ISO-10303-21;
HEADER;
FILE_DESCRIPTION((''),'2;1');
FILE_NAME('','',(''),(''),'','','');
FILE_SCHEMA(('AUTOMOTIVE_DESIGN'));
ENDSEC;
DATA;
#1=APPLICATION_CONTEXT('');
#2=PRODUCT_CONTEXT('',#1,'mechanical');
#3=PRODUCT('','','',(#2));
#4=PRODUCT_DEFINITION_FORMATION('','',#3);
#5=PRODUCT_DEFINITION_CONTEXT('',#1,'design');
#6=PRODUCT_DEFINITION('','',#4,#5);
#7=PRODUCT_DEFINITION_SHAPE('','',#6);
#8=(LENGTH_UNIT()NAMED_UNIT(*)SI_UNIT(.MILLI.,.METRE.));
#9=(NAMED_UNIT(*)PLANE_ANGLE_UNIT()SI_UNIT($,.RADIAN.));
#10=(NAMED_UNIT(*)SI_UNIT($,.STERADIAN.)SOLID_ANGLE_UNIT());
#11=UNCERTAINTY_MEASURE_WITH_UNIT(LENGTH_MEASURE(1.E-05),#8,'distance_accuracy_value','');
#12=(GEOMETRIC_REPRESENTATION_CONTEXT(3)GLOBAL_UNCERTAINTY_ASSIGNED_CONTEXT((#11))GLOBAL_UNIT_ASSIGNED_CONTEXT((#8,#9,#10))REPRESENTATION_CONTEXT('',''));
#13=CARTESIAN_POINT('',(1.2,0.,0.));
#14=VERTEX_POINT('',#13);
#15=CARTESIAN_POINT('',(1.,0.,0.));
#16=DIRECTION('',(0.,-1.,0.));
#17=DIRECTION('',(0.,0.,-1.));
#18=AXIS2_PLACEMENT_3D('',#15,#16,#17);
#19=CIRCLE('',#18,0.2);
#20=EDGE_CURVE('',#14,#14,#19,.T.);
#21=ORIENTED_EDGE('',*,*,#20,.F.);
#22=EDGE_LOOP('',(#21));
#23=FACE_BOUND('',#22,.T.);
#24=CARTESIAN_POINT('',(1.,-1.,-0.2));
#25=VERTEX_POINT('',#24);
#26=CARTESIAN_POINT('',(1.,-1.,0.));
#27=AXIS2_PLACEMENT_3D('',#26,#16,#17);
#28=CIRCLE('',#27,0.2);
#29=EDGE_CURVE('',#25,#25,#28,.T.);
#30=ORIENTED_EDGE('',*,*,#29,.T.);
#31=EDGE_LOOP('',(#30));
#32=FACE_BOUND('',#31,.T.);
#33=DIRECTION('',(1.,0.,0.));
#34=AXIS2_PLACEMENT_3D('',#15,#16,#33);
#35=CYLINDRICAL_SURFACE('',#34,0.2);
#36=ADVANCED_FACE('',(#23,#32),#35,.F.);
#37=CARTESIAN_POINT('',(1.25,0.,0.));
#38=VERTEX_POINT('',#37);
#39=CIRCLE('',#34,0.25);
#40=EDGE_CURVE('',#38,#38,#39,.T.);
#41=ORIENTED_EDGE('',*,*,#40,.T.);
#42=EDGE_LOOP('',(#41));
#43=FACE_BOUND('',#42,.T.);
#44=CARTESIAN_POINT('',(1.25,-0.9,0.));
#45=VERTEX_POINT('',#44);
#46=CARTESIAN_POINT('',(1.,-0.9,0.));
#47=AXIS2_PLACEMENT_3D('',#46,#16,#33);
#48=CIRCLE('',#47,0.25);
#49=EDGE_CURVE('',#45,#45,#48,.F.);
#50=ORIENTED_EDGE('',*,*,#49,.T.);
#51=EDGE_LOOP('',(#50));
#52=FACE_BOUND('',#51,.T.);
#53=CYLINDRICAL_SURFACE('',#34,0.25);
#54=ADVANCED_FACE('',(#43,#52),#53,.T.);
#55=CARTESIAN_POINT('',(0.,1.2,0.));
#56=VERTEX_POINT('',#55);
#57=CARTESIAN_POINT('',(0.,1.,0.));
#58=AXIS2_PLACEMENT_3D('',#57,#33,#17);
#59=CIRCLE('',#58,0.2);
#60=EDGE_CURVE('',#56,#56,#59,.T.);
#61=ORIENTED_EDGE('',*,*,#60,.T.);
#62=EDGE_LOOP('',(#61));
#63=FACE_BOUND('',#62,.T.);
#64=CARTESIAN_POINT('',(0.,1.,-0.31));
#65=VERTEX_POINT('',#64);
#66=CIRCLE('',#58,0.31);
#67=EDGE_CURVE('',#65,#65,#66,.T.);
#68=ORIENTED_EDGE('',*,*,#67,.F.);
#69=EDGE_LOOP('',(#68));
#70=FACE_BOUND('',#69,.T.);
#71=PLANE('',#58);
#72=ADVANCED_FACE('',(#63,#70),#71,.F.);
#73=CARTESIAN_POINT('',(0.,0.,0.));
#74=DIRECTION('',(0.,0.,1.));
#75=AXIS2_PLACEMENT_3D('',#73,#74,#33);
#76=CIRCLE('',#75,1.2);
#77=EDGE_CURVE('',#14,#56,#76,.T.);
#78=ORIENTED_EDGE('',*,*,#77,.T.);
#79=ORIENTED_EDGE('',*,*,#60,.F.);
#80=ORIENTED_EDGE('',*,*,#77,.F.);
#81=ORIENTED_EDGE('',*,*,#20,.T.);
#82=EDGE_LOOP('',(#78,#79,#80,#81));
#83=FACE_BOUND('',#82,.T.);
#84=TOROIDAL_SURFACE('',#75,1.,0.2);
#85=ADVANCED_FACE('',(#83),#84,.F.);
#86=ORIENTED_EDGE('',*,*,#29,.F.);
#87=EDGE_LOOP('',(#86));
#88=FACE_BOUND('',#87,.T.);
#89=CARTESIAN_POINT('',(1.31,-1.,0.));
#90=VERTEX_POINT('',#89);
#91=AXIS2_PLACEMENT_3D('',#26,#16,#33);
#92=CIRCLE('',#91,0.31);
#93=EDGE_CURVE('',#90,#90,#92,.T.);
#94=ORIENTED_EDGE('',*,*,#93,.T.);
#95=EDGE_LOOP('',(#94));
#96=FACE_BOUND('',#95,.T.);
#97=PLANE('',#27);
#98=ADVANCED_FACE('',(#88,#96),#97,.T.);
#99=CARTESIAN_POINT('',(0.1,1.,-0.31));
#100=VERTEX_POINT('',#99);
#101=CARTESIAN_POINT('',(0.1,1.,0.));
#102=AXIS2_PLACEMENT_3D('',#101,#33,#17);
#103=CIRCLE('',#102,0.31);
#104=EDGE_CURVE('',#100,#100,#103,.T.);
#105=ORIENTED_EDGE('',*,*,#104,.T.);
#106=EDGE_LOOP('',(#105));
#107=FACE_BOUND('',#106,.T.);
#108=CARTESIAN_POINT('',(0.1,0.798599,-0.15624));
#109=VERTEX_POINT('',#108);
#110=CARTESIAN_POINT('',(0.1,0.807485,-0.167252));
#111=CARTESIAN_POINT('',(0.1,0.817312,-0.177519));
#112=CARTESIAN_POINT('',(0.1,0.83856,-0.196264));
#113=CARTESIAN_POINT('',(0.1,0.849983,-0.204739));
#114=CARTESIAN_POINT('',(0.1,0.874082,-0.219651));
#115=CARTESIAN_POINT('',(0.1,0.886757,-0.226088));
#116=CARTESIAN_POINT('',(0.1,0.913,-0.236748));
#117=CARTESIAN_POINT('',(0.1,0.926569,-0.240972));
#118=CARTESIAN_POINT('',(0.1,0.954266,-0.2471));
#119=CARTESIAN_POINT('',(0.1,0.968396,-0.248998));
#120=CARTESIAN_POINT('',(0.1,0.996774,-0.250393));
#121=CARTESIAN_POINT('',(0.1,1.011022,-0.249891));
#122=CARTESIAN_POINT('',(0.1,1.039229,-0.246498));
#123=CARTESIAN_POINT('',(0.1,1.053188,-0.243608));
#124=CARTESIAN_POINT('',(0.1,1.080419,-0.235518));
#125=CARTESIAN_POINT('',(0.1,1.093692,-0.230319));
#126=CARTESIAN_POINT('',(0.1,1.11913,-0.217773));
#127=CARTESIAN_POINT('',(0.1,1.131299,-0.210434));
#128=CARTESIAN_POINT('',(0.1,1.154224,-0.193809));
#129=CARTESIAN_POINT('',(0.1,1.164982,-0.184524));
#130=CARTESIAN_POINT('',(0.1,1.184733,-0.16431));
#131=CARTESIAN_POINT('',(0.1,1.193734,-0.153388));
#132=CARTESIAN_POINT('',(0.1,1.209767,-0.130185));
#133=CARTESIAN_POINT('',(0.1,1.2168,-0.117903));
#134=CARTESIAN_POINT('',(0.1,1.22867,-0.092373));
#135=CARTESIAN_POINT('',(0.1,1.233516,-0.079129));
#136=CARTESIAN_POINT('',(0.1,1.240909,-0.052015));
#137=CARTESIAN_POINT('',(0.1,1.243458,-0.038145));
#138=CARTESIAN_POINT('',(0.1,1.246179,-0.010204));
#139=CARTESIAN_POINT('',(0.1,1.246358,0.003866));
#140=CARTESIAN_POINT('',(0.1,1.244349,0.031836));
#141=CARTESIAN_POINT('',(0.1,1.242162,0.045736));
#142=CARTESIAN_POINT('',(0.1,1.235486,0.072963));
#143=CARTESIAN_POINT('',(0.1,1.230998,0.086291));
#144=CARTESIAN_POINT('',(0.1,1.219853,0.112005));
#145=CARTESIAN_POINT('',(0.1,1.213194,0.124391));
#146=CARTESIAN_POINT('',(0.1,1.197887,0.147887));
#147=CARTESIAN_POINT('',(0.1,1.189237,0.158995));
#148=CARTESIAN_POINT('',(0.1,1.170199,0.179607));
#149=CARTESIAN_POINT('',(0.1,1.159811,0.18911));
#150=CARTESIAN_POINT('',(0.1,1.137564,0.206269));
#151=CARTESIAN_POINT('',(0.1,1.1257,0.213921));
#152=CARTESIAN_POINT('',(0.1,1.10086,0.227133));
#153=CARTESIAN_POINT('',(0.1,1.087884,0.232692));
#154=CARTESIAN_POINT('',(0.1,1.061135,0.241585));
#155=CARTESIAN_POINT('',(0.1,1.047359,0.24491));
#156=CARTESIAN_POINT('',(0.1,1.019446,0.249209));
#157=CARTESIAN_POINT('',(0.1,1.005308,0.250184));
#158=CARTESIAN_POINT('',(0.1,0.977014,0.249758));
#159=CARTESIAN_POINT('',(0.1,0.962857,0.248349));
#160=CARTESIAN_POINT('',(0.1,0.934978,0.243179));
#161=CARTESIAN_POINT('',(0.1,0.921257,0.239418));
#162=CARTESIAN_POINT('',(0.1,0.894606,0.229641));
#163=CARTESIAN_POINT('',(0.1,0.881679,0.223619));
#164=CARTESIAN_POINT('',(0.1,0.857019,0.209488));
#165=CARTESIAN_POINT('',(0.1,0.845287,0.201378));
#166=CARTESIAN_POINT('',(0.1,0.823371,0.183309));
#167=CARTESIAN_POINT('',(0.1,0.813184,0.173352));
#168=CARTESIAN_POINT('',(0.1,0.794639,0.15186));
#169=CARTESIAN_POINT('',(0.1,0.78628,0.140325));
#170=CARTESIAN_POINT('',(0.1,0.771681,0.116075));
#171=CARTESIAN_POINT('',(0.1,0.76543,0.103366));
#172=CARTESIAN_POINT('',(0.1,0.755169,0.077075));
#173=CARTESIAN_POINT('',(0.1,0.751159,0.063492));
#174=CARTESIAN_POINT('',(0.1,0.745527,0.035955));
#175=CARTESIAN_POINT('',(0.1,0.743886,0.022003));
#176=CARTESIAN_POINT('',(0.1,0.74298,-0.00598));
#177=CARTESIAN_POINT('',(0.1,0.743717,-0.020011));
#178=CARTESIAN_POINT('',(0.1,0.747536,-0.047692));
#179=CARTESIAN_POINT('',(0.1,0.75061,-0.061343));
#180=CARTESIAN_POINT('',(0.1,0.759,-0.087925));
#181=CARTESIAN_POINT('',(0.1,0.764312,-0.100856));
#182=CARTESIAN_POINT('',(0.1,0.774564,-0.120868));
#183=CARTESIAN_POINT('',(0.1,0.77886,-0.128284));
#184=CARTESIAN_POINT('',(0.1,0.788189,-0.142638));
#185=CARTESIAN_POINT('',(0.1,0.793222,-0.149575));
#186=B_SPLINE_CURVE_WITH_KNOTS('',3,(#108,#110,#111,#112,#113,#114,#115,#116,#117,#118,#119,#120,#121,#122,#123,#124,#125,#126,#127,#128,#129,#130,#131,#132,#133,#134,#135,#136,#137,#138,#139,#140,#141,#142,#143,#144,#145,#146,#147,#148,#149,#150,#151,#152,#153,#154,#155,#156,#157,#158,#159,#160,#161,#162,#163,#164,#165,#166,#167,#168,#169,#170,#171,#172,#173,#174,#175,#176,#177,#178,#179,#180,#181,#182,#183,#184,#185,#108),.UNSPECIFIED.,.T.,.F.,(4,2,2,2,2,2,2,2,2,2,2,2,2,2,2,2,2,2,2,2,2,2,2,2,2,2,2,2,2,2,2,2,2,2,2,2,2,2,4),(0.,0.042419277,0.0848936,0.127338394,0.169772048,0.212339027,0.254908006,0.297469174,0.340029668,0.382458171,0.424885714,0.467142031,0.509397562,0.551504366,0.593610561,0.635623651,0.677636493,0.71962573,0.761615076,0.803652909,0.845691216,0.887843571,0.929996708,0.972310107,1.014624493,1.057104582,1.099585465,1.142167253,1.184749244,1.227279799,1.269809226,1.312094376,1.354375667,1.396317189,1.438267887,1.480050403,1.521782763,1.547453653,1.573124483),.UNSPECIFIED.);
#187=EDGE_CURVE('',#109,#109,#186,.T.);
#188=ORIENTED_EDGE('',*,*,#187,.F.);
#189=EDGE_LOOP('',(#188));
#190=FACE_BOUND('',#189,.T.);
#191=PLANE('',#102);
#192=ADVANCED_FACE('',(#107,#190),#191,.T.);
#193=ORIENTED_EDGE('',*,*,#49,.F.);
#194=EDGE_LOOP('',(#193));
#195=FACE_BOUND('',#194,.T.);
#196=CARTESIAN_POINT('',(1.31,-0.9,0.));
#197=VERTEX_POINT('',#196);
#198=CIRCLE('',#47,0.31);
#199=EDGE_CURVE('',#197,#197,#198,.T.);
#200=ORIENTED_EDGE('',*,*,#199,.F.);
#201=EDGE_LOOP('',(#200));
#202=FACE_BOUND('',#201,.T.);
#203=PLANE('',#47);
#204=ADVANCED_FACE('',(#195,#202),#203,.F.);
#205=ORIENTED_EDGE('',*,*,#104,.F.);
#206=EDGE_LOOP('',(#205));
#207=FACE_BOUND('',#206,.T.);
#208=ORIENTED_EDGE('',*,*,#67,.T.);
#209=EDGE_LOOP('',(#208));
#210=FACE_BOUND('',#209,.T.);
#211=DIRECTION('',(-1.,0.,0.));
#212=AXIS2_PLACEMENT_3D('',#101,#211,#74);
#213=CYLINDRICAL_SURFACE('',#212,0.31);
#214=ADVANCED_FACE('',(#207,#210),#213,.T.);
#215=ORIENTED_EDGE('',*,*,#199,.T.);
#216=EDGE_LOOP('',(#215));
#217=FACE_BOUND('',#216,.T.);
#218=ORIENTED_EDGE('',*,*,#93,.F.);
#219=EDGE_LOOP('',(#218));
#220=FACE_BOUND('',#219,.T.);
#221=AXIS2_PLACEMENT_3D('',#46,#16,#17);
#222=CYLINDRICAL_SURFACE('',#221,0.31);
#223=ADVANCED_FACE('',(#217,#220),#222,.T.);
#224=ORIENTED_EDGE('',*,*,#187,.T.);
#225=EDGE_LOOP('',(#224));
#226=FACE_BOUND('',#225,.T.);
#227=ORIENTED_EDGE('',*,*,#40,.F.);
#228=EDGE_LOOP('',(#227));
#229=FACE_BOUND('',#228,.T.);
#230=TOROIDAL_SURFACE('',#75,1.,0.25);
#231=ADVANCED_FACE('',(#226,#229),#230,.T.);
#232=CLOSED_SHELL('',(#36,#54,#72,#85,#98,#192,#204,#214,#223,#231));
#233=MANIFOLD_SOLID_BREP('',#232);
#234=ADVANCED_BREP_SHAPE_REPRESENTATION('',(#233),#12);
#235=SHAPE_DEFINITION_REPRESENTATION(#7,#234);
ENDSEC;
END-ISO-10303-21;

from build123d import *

# Parameters (mm, degrees)
IZIM3_R   = 0.25
IZIM3_R_2 = 0.2
IZIM4_R   = 0.31
IZIM4_R_2 = 0.21
IZIM5_R   = 0.31
IZIM5_R_2 = 0.21


with BuildPart() as part:
    # Süpür-İnce1: sweep along a path in Çizim1
    with BuildLine(Plane.XY) as s_p_r_nce1_path:
        Line((1, -1), (1, 0))
        ThreePointArc((1, 0), (0.707106781, 0.707106781), (0, 1))
    # Çizim3 → Süpür-İnce1 (sweep)
    with BuildSketch(Plane(origin=(0, 0, 0), x_dir=(0, 0, -1), z_dir=(1, 0, 0))):
        with Locations((0, 1)):
            Circle(IZIM3_R)
        with Locations((0, 1)):
            Circle(IZIM3_R_2, mode=Mode.SUBTRACT)
    sweep(path=s_p_r_nce1_path.line)

    # Süpür-İnce2: sweep along a path in Çizim7
    with BuildLine(Plane.XY) as s_p_r_nce2_path:
        Line((0, 1), (0.1, 1))
    # Çizim4 → Süpür-İnce2 (sweep)
    with BuildSketch(Plane(origin=(0, 0, 0), x_dir=(0, 0, -1), z_dir=(1, 0, 0))):
        with Locations((0, 1)):
            Circle(IZIM4_R)
        with Locations((0, 1)):
            Circle(IZIM4_R_2, mode=Mode.SUBTRACT)
    sweep(path=s_p_r_nce2_path.line)

    # Süpür-İnce3: sweep along a path in Çizim6
    with BuildLine(Plane.XY) as s_p_r_nce3_path:
        Line((1, -1), (1, -0.9))
    # Çizim5 → Süpür-İnce3 (sweep)
    with BuildSketch(Plane(origin=(0, -1, 0), x_dir=(-1, 0, 0), z_dir=(0, -1, 0))):
        with Locations((-1, 0)):
            Circle(IZIM5_R)
        with Locations((-1, 0)):
            Circle(IZIM5_R_2, mode=Mode.SUBTRACT)
    sweep(path=s_p_r_nce3_path.line)


solid = part.part
